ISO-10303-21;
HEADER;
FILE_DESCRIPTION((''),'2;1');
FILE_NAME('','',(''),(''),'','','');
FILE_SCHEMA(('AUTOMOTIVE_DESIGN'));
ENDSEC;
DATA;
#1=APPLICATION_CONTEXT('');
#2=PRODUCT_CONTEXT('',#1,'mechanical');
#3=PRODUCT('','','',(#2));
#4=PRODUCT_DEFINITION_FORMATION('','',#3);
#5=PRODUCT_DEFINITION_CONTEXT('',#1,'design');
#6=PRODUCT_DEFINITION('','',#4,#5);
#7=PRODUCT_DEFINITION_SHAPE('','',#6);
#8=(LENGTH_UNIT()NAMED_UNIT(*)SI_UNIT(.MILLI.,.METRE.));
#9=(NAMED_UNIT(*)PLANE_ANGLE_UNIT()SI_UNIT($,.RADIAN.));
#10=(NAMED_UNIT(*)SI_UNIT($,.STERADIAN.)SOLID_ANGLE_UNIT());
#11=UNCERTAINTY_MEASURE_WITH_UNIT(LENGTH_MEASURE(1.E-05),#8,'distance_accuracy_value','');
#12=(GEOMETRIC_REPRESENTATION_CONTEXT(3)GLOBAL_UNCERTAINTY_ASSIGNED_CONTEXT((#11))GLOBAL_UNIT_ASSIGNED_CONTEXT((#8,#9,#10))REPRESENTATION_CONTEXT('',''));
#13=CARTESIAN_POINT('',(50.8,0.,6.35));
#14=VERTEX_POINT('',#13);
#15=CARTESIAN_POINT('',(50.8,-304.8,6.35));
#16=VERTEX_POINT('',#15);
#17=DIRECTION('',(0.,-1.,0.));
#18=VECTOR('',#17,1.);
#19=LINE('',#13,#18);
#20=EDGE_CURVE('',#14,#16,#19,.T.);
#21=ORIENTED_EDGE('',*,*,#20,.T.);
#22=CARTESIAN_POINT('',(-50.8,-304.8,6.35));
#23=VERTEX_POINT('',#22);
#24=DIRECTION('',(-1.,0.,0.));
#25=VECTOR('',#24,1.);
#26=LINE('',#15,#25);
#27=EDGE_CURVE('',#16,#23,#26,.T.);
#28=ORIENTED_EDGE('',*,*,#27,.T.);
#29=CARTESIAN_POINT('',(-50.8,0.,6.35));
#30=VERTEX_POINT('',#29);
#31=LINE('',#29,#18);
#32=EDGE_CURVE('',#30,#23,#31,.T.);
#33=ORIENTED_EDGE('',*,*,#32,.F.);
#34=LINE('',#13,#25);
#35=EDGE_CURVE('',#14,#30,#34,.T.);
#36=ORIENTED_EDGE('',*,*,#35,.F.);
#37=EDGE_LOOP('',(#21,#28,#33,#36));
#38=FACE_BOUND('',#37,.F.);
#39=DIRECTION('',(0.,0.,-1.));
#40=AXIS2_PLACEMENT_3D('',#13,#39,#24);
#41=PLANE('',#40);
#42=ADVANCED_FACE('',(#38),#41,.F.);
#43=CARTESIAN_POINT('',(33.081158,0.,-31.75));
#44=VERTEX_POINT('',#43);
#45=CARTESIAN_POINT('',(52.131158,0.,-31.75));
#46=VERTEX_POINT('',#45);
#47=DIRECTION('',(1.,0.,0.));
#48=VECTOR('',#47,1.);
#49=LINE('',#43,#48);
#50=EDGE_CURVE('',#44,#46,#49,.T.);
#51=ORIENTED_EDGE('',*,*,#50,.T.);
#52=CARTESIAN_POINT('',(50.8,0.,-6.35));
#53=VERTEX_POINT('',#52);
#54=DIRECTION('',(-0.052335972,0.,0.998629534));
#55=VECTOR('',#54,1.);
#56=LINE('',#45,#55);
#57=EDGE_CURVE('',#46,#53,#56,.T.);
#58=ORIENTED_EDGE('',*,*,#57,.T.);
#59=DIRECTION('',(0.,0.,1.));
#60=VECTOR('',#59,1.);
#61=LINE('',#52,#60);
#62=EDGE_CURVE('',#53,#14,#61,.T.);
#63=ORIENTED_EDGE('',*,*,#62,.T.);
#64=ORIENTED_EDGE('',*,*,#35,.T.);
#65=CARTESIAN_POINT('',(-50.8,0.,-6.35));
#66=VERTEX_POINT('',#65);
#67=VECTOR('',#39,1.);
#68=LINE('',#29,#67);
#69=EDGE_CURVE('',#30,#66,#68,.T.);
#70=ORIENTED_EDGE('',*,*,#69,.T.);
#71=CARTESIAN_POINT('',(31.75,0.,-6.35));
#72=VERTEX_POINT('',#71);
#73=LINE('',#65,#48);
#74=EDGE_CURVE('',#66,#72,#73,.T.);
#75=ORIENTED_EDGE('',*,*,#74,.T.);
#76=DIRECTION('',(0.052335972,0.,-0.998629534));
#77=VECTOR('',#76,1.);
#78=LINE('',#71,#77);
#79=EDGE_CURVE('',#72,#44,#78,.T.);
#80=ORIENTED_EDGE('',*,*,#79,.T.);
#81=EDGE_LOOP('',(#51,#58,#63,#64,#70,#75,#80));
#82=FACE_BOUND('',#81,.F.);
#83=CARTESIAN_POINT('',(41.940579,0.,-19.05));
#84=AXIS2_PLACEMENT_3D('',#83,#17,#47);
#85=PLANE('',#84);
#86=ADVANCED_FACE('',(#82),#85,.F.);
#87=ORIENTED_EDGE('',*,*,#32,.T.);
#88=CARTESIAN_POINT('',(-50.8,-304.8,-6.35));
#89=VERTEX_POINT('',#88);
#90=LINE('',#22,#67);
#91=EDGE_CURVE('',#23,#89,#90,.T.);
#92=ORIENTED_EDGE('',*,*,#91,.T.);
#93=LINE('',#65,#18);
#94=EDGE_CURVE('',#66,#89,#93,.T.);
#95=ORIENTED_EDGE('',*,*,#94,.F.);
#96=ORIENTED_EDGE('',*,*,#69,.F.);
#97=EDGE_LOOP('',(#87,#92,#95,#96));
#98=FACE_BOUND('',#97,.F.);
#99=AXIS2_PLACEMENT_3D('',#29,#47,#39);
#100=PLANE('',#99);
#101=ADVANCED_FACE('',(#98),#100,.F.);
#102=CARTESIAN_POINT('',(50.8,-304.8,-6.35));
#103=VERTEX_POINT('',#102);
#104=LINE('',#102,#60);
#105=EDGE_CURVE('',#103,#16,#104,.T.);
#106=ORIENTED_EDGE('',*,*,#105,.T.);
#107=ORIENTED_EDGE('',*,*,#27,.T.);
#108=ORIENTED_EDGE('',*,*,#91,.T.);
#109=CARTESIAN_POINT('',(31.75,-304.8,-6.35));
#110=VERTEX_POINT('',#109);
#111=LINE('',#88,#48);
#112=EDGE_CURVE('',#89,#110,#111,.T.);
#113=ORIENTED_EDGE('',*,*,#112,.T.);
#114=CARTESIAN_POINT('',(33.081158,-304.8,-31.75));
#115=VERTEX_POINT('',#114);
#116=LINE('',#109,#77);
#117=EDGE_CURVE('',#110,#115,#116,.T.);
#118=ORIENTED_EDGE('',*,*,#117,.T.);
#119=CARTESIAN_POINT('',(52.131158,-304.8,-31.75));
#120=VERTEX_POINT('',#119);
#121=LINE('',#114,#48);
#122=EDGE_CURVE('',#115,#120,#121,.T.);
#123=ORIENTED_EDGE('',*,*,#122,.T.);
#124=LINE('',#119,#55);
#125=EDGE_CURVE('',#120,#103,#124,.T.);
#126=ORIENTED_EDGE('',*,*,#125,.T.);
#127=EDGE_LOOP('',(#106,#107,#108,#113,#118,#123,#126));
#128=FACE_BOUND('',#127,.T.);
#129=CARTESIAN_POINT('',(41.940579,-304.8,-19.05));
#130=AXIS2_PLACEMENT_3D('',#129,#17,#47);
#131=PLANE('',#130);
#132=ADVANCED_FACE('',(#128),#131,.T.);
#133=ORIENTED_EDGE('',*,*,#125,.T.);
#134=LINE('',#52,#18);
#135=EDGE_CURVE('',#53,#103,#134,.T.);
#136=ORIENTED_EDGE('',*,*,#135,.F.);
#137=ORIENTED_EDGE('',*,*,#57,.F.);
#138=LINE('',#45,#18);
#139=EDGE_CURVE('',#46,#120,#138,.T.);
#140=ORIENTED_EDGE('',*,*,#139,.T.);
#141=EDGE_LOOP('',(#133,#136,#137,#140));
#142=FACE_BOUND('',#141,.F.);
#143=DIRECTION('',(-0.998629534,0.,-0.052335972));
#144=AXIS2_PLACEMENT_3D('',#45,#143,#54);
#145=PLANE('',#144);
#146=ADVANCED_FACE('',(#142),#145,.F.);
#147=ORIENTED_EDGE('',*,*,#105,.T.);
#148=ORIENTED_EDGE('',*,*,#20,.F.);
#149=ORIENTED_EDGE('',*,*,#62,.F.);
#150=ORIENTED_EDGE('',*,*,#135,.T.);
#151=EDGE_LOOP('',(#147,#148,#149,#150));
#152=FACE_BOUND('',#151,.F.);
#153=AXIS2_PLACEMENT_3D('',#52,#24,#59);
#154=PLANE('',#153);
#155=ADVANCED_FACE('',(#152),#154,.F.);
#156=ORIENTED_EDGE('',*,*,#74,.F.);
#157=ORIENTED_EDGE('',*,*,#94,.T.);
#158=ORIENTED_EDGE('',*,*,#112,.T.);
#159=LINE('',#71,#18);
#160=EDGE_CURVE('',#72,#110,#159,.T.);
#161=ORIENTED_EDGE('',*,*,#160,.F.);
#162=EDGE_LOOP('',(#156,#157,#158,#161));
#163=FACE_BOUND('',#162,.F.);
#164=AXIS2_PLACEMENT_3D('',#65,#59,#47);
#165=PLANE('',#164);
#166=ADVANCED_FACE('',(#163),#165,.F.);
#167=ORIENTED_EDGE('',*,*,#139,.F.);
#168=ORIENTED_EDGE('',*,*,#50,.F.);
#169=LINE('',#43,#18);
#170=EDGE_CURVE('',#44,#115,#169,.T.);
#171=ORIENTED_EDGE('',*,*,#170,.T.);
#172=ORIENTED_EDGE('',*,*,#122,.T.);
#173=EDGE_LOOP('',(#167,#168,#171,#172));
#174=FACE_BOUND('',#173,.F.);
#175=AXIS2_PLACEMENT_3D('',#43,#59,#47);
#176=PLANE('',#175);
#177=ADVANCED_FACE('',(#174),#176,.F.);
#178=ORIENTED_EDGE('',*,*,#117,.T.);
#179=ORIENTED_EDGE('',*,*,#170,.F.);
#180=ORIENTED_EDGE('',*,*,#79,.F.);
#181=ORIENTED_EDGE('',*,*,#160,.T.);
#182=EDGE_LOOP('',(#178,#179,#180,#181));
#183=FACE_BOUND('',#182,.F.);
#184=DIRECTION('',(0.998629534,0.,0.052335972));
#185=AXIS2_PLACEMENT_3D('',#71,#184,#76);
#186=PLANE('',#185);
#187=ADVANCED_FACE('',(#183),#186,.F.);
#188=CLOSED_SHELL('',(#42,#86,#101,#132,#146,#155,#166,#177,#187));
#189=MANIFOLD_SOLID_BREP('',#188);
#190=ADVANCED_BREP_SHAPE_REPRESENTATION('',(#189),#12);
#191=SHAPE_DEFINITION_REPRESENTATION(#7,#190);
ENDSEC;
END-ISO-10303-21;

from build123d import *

# Parameters (mm, degrees)
F1_DEPTH = 304.8
F2_DEPTH = 304.8


with BuildPart() as f1:
    # F0 (on Front) → F1 (new body)
    with BuildSketch(Plane.XZ):
        Polygon((31.75, -6.35), (50.8, -6.35), (50.8, 6.35), (-50.8, 6.35), (-50.8, -6.35), align=None)
    extrude(amount=F1_DEPTH)

    # F0 (on Front) → F2 (join)
    with BuildSketch(Plane.XZ):
        Polygon((52.131158, -31.75), (50.8, -6.35), (31.75, -6.35), (33.081158, -31.75), align=None)
    extrude(amount=F2_DEPTH)


solid = f1.part
